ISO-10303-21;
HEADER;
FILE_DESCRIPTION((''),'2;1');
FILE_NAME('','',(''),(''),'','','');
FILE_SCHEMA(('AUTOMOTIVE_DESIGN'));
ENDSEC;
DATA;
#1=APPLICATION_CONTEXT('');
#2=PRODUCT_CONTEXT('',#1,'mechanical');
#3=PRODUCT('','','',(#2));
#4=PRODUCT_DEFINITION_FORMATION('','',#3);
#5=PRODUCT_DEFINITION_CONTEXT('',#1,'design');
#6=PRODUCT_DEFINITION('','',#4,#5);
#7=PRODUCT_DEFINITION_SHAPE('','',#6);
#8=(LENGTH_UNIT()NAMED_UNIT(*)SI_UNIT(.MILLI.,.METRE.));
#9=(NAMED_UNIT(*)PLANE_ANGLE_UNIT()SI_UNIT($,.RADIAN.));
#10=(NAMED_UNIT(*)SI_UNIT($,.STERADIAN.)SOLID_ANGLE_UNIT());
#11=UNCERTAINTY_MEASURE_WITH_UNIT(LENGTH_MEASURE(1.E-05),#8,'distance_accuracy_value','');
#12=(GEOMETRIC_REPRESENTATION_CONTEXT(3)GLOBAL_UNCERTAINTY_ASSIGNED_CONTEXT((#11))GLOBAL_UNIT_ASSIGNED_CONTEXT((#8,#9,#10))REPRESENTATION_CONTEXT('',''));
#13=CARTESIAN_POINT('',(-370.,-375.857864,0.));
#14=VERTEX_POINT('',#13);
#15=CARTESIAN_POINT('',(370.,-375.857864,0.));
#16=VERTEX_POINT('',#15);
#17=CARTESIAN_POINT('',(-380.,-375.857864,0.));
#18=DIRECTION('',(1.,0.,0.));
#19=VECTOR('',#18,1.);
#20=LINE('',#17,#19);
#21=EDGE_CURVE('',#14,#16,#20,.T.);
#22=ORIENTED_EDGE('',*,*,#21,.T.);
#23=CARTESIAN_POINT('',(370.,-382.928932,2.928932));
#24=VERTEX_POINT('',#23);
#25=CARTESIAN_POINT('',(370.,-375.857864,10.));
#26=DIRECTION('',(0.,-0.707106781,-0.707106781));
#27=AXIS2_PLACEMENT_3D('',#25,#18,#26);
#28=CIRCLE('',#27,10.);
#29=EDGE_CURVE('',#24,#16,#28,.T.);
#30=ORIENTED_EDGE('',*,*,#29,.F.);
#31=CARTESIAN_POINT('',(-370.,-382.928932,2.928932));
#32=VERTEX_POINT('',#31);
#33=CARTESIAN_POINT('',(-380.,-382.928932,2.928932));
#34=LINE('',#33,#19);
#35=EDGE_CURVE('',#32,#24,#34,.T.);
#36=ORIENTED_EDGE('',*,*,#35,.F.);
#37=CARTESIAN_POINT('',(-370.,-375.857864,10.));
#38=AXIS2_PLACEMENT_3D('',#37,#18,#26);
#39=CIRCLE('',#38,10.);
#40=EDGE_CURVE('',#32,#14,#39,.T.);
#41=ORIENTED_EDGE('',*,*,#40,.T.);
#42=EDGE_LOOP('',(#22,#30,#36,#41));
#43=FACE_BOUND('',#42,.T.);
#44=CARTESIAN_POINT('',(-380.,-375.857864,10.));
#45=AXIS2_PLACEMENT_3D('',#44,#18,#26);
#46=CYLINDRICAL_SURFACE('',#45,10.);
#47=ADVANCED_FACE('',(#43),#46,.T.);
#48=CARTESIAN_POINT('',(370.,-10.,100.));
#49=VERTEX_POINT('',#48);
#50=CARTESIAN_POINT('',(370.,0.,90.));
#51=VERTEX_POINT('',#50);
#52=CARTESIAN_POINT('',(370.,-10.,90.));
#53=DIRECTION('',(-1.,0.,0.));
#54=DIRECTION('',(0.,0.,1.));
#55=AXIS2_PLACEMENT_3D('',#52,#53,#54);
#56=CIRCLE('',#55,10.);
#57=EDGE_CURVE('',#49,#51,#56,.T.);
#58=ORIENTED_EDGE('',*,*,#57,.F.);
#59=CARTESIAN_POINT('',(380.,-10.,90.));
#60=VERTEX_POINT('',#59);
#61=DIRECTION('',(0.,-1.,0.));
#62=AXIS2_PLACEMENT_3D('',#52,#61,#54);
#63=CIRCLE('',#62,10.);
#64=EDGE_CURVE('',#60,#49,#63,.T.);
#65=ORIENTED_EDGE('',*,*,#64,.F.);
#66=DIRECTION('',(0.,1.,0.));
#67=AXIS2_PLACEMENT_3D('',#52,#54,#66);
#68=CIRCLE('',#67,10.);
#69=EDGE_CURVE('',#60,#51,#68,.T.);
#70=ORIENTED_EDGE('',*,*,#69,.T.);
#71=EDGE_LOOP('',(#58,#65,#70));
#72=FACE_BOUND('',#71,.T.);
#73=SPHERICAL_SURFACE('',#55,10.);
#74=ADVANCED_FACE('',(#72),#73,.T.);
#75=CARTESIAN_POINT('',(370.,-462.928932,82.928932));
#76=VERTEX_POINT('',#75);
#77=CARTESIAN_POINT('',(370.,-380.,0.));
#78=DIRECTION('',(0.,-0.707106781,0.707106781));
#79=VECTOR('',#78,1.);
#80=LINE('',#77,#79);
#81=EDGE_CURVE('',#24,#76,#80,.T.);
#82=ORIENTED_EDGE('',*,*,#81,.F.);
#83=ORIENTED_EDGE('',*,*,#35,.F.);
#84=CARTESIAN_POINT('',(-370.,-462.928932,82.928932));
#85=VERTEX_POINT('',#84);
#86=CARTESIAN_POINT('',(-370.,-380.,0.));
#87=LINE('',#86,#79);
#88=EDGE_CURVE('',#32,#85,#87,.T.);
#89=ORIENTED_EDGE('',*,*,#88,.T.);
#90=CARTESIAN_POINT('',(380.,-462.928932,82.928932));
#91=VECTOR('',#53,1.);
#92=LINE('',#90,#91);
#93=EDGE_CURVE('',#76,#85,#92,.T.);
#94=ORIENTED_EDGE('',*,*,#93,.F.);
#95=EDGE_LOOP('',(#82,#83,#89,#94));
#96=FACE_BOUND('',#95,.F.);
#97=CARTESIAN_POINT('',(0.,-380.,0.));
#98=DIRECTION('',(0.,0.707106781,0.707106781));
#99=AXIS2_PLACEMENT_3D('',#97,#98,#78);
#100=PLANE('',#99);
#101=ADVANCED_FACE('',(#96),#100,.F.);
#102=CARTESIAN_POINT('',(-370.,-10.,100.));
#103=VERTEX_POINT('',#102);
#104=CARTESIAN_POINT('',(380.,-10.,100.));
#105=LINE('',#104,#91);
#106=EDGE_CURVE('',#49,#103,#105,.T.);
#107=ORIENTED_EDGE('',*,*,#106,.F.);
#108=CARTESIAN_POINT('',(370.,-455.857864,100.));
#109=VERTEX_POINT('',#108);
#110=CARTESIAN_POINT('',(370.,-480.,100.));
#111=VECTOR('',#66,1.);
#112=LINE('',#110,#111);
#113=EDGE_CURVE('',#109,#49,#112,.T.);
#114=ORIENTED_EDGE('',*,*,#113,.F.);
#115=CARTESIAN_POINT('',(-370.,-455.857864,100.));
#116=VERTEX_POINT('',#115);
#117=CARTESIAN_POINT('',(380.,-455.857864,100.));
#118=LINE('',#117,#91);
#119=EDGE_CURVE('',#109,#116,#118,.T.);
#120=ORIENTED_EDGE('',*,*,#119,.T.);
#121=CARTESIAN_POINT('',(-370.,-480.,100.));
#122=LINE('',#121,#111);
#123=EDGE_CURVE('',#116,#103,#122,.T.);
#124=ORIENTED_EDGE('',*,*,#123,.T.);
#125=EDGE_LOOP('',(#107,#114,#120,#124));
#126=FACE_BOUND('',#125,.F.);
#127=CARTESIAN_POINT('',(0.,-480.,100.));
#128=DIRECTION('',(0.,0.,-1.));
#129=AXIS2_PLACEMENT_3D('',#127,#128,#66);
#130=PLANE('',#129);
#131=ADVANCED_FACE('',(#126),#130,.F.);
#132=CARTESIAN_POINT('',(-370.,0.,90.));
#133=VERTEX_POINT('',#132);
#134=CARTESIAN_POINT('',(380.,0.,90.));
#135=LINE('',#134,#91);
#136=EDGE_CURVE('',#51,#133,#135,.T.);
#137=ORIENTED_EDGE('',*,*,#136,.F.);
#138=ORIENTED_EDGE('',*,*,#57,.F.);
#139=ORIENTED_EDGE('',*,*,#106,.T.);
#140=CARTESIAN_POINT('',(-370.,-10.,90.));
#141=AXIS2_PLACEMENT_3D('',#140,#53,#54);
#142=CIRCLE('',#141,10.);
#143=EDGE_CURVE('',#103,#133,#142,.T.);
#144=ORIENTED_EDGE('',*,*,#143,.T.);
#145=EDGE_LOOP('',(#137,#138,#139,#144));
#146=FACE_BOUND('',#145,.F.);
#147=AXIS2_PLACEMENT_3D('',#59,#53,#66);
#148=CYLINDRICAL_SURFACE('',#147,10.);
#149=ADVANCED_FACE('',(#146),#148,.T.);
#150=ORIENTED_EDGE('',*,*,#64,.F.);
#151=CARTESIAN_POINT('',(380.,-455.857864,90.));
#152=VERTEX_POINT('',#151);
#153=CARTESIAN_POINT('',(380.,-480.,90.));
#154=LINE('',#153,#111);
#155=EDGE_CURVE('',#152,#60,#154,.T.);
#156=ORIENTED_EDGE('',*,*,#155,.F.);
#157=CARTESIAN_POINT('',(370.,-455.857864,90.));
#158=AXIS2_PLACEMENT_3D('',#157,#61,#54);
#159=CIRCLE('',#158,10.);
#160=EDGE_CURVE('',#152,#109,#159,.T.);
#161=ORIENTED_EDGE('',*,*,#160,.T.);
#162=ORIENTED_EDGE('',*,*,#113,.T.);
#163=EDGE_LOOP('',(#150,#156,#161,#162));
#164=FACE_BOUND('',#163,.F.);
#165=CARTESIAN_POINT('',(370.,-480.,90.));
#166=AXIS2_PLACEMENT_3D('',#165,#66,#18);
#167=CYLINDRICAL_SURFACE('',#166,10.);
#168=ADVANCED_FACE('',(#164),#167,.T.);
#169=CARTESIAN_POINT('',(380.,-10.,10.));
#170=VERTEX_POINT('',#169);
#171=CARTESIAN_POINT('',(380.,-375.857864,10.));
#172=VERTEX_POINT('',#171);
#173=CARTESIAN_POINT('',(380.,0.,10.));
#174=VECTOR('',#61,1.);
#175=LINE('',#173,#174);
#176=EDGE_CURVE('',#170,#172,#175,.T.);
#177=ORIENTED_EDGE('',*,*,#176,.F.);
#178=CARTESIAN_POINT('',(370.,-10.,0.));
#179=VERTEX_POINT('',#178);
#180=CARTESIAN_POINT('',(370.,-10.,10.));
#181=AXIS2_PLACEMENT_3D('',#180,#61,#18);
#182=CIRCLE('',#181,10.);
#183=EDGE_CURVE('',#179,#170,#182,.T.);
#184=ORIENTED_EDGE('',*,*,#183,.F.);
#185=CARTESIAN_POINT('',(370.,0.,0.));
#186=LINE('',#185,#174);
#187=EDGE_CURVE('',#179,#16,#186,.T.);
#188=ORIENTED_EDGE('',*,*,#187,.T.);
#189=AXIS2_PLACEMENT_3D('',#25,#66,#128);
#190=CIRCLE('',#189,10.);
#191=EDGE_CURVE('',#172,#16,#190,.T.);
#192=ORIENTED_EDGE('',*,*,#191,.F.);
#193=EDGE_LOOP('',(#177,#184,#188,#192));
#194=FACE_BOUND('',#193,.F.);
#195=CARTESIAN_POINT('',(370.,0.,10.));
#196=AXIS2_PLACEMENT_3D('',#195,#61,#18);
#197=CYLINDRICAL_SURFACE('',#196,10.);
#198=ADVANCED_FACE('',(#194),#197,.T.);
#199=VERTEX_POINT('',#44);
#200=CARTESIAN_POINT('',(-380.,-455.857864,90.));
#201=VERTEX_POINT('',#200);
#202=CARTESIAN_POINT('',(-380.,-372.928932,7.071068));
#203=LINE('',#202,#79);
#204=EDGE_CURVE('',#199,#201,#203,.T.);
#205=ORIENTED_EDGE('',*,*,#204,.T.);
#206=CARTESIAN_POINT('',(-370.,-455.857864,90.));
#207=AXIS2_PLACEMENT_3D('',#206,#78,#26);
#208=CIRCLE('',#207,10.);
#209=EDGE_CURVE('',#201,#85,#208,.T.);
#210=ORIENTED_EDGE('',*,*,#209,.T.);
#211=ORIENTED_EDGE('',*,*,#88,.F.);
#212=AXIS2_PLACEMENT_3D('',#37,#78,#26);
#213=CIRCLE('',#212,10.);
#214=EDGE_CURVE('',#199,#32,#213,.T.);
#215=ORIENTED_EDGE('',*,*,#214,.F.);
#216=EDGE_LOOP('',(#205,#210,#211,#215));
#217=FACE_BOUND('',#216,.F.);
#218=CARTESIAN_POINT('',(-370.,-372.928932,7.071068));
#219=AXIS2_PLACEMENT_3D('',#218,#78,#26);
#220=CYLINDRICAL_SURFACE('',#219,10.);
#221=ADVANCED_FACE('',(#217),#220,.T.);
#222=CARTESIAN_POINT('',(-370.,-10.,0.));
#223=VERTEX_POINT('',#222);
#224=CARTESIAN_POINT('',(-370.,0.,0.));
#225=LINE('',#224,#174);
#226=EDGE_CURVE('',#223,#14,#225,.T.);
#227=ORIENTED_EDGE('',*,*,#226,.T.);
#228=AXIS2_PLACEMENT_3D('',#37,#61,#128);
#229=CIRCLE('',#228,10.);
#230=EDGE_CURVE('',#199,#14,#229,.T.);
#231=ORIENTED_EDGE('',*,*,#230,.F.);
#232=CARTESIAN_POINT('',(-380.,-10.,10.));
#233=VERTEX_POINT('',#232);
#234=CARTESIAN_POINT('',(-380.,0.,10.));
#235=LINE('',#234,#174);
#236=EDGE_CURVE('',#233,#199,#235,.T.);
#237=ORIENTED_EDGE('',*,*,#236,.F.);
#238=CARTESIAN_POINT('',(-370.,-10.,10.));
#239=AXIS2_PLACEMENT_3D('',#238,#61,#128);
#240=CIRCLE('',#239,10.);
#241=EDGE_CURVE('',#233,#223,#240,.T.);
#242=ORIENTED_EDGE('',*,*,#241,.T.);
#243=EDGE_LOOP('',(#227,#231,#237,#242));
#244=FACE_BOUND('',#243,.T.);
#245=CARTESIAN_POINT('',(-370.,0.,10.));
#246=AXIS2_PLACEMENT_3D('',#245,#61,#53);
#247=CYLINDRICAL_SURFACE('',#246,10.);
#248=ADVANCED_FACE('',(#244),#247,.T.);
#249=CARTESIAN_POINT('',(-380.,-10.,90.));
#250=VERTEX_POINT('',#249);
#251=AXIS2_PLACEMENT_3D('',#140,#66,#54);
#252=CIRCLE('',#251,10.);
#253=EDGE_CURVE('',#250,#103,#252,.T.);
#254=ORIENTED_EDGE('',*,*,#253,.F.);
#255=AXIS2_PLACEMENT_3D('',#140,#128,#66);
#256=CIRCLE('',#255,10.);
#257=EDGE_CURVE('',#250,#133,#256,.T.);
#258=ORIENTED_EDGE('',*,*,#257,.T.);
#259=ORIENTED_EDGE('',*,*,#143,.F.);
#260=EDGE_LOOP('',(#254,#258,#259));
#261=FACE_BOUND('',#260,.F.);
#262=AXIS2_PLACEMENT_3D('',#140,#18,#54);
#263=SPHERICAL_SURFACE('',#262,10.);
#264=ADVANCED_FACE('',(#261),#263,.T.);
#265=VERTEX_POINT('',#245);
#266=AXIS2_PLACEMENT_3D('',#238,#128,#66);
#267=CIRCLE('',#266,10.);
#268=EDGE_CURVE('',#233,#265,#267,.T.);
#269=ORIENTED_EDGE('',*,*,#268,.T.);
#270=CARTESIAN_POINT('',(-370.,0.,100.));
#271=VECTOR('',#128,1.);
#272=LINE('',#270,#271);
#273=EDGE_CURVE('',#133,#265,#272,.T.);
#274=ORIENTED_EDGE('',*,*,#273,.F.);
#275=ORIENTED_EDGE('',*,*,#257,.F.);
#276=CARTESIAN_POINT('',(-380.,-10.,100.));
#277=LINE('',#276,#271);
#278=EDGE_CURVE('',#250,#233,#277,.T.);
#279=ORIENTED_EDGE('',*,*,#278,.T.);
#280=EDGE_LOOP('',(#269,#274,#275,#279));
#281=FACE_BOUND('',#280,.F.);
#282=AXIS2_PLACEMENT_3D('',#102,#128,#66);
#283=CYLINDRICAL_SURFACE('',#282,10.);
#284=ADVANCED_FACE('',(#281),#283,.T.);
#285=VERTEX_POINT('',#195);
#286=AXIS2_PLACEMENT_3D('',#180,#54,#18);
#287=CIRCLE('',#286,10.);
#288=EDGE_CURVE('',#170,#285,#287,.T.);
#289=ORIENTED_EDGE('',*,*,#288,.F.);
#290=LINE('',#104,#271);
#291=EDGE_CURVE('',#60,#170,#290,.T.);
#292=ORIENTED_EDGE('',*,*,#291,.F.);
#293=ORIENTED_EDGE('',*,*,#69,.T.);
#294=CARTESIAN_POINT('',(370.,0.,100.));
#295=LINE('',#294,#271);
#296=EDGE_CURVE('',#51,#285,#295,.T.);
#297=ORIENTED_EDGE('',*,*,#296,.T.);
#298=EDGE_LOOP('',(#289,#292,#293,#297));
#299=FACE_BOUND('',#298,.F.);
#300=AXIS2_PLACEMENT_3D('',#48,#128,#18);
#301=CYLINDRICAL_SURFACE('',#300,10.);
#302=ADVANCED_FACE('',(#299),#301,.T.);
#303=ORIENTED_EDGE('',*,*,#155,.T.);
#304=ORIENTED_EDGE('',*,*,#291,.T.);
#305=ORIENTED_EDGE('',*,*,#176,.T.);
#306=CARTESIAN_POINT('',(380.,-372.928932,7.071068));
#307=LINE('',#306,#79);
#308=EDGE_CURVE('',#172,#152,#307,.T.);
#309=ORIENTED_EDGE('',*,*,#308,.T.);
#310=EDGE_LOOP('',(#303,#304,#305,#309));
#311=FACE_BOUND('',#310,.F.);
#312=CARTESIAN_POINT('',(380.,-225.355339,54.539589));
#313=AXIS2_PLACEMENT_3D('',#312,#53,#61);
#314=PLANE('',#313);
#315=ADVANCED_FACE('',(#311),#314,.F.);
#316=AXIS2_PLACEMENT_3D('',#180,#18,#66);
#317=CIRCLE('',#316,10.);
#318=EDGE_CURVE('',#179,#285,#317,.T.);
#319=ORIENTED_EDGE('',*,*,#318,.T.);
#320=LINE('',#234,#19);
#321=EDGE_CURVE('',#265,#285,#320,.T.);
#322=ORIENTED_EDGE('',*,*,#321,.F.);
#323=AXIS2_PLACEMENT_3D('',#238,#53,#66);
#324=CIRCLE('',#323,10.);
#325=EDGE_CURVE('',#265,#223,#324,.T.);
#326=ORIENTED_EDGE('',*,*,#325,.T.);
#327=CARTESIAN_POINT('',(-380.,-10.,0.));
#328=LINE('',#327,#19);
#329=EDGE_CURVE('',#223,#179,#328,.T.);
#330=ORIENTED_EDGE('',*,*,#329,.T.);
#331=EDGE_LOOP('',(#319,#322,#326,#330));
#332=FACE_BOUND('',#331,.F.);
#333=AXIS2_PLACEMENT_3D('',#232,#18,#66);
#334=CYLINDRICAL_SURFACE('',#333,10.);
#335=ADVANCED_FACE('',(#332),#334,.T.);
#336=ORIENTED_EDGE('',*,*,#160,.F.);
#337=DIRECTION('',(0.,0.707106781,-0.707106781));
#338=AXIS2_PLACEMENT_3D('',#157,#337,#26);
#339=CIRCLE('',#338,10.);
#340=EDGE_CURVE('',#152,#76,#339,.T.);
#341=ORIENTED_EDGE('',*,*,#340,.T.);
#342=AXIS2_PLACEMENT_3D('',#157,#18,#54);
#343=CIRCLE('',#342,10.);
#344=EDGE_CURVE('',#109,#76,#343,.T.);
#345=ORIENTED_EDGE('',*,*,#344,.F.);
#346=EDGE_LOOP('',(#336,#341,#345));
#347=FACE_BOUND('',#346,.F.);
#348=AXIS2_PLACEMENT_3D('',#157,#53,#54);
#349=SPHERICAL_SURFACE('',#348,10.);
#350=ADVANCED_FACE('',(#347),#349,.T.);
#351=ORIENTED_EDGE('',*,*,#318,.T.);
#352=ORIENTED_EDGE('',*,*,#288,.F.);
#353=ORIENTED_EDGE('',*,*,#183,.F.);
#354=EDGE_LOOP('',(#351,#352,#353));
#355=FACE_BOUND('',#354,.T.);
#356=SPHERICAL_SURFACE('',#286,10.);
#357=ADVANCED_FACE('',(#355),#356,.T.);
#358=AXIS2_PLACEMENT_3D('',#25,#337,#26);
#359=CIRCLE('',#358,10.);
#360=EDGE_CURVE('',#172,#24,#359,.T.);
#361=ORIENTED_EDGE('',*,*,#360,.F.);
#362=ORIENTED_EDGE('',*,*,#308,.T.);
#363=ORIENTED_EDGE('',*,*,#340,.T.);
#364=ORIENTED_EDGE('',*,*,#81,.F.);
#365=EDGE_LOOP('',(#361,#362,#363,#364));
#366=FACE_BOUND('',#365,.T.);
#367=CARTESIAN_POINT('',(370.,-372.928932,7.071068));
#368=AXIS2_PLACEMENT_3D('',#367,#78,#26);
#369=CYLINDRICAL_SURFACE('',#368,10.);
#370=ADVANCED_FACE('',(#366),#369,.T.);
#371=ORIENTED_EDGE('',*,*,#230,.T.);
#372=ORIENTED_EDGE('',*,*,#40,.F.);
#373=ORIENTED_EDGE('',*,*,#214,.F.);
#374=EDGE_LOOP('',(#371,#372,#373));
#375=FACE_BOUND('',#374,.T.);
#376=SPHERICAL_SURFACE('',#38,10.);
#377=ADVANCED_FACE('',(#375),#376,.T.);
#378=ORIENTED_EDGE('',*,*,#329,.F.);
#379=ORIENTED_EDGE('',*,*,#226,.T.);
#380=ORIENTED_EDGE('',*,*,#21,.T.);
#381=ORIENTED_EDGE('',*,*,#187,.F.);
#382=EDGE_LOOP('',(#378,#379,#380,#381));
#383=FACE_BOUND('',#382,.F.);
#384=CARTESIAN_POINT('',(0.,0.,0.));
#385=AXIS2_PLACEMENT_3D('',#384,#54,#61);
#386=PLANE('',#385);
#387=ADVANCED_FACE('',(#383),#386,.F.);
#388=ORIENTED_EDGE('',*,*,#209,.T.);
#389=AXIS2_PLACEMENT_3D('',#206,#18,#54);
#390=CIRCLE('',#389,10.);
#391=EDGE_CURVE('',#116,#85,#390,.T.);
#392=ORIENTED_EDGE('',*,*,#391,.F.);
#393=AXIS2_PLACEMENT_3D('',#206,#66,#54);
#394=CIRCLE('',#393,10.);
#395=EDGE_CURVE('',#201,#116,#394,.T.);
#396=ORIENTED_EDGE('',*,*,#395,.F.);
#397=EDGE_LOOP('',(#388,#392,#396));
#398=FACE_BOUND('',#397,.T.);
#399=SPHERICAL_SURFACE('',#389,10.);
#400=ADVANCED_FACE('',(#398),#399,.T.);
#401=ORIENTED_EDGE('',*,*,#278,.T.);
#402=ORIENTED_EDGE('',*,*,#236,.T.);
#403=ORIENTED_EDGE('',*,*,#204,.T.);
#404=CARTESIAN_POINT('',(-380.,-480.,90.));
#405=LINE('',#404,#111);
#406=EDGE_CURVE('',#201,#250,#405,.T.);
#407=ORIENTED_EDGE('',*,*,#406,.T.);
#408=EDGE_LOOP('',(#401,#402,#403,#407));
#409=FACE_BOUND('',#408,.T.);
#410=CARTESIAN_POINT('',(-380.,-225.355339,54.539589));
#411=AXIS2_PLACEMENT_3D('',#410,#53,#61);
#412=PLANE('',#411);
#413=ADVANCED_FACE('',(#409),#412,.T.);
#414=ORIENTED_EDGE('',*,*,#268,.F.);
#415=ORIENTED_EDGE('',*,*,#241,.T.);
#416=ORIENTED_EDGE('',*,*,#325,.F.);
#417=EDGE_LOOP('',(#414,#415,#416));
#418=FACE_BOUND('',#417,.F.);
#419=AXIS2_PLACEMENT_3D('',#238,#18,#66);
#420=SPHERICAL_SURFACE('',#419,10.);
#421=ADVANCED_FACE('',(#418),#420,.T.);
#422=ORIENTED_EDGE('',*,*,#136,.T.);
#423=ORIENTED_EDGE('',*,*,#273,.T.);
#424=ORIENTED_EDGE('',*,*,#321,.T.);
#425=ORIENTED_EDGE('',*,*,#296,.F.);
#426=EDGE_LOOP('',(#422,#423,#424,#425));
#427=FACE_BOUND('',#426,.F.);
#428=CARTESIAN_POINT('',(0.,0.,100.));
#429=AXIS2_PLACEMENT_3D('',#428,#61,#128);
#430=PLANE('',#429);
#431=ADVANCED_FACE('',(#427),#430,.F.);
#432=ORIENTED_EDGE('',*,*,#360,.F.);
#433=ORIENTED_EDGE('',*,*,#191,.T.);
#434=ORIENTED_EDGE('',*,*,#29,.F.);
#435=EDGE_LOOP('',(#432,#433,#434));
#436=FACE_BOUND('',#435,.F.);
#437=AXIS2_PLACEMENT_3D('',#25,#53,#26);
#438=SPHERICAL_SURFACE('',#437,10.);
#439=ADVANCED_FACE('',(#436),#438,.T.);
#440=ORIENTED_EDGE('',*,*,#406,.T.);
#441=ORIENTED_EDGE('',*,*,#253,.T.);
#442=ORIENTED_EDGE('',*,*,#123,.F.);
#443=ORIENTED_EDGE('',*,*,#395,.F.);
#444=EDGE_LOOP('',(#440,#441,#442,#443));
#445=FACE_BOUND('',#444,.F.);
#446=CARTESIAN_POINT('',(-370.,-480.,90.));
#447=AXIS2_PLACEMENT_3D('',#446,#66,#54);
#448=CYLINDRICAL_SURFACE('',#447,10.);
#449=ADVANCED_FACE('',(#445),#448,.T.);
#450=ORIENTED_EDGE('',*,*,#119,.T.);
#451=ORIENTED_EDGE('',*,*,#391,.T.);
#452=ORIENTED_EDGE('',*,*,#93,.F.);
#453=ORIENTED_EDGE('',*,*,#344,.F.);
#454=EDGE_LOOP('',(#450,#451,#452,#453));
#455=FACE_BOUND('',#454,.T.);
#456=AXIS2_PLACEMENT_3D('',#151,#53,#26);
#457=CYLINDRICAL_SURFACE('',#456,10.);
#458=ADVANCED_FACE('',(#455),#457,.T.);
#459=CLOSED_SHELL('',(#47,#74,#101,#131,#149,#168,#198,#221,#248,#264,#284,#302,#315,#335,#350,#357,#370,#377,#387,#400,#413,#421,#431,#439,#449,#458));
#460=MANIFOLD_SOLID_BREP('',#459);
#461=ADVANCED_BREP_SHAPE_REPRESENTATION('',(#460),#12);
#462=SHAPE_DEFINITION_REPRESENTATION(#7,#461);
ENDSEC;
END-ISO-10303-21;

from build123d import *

# Parameters (mm, degrees)
PAD_DEPTH      = 380
PAD_DEPTH_BACK = 380
FILLET_R       = 10


with BuildPart() as part:
    # Sketch → Pad (new body, two sides)
    with BuildSketch(Plane.YZ) as pad_sk:
        Polygon((-380, 0), (-480, 100), (0, 100), (0, 0), align=None)
    extrude(amount=PAD_DEPTH)
    extrude(pad_sk.sketch, amount=-PAD_DEPTH_BACK)

    # Fillet
    fillet_edges = [part.edges().sort_by_distance(p)[0] for p in [
        (0, -480, 100),
        (0, 0, 100),
        (-380, -240, 100),
        (380, -240, 100),
        (0, -380, 0),
        (-380, -430, 50),
        (380, -430, 50),
        (380, 0, 50),
        (380, -190, 0),
        (0, 0, 0),
        (-380, 0, 50),
        (-380, -190, 0),
    ]]
    fillet(fillet_edges, radius=FILLET_R)


solid = part.part
